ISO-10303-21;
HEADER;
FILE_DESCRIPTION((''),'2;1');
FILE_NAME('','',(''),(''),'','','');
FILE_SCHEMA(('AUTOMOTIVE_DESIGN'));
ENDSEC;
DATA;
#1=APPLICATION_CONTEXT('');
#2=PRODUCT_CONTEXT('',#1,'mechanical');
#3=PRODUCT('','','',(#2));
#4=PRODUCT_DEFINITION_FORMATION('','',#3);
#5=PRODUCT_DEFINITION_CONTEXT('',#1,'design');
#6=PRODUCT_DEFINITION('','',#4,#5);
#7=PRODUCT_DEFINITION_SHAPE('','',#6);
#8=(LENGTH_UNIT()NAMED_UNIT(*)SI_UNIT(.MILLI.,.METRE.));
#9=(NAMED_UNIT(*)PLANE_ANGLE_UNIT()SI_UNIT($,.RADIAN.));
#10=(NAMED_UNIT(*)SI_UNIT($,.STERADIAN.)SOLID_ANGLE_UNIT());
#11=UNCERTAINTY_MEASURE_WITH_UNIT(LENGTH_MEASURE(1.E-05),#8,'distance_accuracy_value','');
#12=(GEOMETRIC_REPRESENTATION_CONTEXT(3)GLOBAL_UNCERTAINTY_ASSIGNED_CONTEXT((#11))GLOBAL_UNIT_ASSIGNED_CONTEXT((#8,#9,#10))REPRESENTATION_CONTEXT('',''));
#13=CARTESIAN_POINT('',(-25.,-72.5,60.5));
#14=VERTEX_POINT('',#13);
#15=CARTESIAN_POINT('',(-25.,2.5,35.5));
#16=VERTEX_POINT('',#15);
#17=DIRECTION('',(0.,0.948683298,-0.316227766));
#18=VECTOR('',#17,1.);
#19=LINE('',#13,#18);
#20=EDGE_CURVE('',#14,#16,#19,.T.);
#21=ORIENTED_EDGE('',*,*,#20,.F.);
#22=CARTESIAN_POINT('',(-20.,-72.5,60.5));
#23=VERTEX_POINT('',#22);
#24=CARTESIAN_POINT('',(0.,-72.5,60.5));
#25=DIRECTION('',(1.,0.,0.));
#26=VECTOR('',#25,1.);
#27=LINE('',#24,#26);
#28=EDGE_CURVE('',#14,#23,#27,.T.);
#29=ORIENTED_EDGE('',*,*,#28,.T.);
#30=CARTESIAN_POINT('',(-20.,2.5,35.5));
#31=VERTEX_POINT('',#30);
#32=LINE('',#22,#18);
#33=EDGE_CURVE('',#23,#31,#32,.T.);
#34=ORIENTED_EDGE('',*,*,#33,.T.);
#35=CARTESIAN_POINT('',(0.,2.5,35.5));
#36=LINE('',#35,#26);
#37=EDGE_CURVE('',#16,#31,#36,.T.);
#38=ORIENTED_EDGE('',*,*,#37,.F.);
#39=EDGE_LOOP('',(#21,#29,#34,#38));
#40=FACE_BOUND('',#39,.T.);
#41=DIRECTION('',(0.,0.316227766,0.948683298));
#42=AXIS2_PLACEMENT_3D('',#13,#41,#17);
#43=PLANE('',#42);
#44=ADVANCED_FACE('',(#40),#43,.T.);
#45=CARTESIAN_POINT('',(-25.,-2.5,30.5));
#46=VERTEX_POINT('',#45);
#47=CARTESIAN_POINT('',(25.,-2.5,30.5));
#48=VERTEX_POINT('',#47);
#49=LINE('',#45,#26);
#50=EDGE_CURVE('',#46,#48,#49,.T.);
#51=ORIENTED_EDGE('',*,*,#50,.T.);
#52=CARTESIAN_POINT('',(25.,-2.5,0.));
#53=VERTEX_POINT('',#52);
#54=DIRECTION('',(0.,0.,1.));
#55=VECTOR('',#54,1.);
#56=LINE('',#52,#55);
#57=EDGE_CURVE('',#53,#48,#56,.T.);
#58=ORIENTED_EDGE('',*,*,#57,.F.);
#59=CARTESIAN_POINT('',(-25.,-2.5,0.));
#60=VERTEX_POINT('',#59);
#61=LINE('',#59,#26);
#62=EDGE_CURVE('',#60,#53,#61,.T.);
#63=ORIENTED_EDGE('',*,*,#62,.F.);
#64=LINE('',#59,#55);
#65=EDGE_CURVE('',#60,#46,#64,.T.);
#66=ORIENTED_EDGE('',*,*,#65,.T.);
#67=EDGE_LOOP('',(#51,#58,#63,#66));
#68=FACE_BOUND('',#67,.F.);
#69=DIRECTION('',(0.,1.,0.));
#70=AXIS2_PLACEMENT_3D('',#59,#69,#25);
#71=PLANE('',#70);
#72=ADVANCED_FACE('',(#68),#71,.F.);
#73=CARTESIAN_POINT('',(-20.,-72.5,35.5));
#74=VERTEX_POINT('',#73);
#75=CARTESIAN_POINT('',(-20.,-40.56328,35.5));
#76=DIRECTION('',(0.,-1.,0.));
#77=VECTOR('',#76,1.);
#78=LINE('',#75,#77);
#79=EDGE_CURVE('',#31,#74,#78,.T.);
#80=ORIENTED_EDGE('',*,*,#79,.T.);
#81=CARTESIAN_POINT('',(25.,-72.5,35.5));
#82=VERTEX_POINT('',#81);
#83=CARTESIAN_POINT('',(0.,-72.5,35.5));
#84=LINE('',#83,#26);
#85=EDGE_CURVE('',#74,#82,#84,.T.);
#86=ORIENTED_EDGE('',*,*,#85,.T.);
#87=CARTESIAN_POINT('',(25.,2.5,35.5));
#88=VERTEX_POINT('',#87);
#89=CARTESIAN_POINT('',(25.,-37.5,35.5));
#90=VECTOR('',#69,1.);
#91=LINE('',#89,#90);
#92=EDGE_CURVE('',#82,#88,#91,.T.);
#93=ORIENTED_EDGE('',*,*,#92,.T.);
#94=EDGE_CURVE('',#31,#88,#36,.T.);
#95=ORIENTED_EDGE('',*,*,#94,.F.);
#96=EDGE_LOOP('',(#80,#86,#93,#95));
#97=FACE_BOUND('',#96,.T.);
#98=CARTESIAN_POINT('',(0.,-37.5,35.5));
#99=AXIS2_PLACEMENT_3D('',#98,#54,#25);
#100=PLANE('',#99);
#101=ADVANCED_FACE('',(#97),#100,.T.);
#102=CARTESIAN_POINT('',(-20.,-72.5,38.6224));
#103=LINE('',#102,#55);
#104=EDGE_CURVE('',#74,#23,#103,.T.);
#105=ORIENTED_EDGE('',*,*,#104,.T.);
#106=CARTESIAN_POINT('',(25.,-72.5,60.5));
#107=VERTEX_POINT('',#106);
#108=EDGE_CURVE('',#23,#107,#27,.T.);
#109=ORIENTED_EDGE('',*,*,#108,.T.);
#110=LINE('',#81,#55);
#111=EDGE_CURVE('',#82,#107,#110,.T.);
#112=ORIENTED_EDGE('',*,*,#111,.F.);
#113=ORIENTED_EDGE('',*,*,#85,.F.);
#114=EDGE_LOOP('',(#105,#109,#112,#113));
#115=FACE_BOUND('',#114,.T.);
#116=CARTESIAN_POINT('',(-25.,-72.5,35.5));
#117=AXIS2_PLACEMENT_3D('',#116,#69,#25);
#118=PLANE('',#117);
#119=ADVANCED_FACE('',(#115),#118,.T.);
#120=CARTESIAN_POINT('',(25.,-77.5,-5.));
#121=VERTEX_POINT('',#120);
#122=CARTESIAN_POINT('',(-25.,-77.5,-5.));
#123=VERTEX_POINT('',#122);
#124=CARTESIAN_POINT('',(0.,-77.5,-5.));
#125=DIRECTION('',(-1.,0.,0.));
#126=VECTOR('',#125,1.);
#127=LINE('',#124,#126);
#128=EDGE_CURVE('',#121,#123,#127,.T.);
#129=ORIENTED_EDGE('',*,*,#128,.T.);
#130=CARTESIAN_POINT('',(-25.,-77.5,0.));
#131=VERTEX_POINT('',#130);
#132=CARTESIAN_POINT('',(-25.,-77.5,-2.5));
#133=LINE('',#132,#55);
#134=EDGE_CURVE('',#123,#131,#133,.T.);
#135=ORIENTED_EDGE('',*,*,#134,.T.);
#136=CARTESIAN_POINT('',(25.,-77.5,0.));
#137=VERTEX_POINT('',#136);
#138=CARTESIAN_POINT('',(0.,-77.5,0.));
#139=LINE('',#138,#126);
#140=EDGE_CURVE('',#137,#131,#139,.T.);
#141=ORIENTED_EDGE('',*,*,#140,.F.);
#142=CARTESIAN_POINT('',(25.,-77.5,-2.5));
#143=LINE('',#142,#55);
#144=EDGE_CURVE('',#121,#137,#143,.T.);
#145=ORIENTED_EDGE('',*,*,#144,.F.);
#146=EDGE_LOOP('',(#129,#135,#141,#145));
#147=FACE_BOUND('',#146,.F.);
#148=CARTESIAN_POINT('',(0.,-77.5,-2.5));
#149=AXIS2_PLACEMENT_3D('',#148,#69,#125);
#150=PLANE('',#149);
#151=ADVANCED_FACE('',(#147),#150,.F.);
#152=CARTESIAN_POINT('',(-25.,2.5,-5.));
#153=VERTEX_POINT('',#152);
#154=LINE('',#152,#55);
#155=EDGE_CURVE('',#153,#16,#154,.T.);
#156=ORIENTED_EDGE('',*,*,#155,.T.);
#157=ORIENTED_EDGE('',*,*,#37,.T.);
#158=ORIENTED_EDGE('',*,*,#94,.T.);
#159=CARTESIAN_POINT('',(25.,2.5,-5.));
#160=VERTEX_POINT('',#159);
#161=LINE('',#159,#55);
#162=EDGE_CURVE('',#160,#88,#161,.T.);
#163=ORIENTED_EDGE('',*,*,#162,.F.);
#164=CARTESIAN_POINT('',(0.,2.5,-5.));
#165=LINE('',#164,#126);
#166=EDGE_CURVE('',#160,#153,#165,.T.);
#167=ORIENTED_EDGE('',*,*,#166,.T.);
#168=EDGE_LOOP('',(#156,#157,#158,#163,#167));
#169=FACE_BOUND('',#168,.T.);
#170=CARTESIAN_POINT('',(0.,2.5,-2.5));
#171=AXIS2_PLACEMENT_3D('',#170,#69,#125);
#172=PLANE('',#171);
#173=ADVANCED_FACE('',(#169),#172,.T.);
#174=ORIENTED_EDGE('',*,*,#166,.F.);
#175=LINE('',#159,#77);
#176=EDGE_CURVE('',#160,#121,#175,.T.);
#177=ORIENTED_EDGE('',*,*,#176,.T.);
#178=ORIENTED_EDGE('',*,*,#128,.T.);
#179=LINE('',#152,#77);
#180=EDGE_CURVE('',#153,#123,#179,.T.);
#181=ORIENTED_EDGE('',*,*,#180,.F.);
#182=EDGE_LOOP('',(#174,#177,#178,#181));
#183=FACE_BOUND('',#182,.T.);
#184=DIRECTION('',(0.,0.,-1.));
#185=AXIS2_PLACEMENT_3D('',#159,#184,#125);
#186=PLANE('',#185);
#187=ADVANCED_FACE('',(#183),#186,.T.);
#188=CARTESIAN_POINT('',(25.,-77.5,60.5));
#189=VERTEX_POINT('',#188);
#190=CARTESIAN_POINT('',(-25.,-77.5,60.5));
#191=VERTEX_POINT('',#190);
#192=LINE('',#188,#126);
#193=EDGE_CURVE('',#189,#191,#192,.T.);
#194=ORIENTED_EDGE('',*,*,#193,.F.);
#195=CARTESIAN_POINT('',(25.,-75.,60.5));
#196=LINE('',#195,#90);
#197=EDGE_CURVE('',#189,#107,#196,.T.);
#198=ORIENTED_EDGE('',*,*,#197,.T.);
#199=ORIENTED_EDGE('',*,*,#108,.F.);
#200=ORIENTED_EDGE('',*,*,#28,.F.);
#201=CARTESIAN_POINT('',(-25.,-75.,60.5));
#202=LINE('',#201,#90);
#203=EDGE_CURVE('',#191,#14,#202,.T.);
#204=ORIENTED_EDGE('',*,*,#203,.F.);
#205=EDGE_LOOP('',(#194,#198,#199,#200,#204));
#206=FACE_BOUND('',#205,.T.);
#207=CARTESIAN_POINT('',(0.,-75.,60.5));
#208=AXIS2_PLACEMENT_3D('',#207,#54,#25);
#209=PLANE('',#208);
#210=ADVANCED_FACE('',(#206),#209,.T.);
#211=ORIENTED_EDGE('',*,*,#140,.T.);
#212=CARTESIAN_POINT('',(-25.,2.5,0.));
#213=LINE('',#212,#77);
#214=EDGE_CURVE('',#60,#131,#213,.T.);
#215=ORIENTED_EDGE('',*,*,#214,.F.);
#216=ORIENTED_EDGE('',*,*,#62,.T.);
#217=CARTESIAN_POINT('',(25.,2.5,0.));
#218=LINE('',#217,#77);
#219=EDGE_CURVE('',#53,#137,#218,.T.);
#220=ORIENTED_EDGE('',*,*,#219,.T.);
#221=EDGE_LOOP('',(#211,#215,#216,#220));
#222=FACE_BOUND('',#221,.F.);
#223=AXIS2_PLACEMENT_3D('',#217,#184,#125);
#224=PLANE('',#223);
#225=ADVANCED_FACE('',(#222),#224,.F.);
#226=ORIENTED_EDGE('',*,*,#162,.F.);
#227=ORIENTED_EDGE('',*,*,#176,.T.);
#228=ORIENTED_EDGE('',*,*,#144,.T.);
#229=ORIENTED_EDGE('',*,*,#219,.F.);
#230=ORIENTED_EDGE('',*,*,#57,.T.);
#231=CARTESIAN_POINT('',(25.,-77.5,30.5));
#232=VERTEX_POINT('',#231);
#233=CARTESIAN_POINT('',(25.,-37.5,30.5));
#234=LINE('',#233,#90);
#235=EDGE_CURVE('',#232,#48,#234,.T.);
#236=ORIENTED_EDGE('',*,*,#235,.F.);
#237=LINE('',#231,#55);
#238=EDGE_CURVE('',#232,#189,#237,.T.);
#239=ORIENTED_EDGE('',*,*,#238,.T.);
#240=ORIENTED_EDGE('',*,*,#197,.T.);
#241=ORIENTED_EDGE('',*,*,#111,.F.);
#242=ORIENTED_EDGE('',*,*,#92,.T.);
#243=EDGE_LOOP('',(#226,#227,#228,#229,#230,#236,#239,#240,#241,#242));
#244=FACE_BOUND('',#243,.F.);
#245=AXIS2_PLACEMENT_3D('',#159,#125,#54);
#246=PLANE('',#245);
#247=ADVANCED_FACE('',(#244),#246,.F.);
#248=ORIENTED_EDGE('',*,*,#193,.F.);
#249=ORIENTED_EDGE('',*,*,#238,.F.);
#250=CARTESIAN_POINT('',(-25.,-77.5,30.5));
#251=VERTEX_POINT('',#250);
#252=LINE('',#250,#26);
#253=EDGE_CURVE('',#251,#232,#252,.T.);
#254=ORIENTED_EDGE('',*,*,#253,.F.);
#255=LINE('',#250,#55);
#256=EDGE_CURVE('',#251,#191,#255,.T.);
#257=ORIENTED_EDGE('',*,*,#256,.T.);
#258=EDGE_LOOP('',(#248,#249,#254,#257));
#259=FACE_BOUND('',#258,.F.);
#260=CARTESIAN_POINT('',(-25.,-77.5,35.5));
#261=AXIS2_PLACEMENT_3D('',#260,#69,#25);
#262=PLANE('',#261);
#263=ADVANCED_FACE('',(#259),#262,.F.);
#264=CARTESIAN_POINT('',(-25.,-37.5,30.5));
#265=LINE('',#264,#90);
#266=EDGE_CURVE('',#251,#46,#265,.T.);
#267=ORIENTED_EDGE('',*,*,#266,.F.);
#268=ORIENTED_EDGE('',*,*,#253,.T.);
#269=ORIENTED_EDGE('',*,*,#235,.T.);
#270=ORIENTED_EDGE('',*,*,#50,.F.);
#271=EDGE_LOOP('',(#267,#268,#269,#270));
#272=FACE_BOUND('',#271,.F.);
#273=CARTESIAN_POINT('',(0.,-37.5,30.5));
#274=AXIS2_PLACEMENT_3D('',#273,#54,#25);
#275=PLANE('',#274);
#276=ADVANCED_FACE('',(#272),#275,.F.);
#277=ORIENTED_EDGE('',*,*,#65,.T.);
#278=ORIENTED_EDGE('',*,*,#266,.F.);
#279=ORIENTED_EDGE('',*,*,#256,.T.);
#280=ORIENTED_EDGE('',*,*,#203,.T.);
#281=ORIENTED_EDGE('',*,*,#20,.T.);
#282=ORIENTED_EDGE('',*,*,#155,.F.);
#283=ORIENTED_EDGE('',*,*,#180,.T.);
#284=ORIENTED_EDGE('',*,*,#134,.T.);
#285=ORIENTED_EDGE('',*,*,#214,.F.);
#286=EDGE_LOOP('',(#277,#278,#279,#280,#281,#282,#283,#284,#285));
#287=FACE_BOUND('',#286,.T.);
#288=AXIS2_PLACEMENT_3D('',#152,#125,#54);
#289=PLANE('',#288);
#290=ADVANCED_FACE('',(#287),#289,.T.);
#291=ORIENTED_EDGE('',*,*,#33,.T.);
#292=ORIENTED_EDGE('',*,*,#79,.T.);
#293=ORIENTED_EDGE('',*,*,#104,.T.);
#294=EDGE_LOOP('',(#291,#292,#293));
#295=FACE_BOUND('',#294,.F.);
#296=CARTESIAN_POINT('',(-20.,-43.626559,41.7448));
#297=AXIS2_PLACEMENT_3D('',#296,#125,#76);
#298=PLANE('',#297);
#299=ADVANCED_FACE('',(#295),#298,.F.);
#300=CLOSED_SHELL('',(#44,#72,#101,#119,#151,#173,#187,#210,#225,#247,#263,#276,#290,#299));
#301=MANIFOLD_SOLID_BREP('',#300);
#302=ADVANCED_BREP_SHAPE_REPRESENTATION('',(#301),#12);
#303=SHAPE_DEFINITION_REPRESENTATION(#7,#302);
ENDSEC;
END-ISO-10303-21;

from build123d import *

# Parameters (mm, degrees)
F0_W     = 25
F0_H     = 2.5
F1_DEPTH = 30.5
F2_W     = 50
F2_H     = 80
F3_DEPTH = 5
F4_W     = 50
F4_H     = 5
F5_DEPTH = 25
F7_DEPTH = 5
F8_W     = 50
F8_H     = 5
F9_DEPTH = 80


with BuildPart() as f1:
    # F0 (on Top) → F1 (new body)
    with BuildSketch(Plane.XY):
        with Locations((-12.5, 1.25)):
            Rectangle(F0_W, F0_H)
        with Locations((12.5, 1.25)):
            Rectangle(F0_W, F0_H)
        with Locations((-12.5, -1.25)):
            Rectangle(F0_W, F0_H)
        with Locations((12.5, -1.25)):
            Rectangle(F0_W, F0_H)
    extrude(amount=F1_DEPTH)

    # F2 (on face) → F3 (join)
    with BuildSketch(Plane.XY.offset(30.5)):
        with Locations((0, -37.5)):
            Rectangle(F2_W, F2_H)
    extrude(amount=F3_DEPTH)

    # F4 (on face) → F5 (join)
    with BuildSketch(Plane.XY.offset(35.5)):
        with Locations((0, -75)):
            Rectangle(F4_W, F4_H)
    extrude(amount=F5_DEPTH)

    # F6 (on face) → F7 (join)
    with BuildSketch(Plane(origin=(-25, 0, 0), x_dir=(0, -1, 0), z_dir=(-1, 0, 0))):
        Polygon((77.5, 30.5), (77.5, 60.5), (72.5, 60.5), (-2.5, 35.5), align=None)
    extrude(amount=-F7_DEPTH)

    # F8 (on face) → F9 (join, through all)
    with BuildSketch(Plane(origin=(0, 2.5, 0), x_dir=(-1, 0, 0), z_dir=(0, 1, 0))):
        with Locations((0, -2.5)):
            Rectangle(F8_W, F8_H)
    extrude(amount=-F9_DEPTH)


solid = f1.part
